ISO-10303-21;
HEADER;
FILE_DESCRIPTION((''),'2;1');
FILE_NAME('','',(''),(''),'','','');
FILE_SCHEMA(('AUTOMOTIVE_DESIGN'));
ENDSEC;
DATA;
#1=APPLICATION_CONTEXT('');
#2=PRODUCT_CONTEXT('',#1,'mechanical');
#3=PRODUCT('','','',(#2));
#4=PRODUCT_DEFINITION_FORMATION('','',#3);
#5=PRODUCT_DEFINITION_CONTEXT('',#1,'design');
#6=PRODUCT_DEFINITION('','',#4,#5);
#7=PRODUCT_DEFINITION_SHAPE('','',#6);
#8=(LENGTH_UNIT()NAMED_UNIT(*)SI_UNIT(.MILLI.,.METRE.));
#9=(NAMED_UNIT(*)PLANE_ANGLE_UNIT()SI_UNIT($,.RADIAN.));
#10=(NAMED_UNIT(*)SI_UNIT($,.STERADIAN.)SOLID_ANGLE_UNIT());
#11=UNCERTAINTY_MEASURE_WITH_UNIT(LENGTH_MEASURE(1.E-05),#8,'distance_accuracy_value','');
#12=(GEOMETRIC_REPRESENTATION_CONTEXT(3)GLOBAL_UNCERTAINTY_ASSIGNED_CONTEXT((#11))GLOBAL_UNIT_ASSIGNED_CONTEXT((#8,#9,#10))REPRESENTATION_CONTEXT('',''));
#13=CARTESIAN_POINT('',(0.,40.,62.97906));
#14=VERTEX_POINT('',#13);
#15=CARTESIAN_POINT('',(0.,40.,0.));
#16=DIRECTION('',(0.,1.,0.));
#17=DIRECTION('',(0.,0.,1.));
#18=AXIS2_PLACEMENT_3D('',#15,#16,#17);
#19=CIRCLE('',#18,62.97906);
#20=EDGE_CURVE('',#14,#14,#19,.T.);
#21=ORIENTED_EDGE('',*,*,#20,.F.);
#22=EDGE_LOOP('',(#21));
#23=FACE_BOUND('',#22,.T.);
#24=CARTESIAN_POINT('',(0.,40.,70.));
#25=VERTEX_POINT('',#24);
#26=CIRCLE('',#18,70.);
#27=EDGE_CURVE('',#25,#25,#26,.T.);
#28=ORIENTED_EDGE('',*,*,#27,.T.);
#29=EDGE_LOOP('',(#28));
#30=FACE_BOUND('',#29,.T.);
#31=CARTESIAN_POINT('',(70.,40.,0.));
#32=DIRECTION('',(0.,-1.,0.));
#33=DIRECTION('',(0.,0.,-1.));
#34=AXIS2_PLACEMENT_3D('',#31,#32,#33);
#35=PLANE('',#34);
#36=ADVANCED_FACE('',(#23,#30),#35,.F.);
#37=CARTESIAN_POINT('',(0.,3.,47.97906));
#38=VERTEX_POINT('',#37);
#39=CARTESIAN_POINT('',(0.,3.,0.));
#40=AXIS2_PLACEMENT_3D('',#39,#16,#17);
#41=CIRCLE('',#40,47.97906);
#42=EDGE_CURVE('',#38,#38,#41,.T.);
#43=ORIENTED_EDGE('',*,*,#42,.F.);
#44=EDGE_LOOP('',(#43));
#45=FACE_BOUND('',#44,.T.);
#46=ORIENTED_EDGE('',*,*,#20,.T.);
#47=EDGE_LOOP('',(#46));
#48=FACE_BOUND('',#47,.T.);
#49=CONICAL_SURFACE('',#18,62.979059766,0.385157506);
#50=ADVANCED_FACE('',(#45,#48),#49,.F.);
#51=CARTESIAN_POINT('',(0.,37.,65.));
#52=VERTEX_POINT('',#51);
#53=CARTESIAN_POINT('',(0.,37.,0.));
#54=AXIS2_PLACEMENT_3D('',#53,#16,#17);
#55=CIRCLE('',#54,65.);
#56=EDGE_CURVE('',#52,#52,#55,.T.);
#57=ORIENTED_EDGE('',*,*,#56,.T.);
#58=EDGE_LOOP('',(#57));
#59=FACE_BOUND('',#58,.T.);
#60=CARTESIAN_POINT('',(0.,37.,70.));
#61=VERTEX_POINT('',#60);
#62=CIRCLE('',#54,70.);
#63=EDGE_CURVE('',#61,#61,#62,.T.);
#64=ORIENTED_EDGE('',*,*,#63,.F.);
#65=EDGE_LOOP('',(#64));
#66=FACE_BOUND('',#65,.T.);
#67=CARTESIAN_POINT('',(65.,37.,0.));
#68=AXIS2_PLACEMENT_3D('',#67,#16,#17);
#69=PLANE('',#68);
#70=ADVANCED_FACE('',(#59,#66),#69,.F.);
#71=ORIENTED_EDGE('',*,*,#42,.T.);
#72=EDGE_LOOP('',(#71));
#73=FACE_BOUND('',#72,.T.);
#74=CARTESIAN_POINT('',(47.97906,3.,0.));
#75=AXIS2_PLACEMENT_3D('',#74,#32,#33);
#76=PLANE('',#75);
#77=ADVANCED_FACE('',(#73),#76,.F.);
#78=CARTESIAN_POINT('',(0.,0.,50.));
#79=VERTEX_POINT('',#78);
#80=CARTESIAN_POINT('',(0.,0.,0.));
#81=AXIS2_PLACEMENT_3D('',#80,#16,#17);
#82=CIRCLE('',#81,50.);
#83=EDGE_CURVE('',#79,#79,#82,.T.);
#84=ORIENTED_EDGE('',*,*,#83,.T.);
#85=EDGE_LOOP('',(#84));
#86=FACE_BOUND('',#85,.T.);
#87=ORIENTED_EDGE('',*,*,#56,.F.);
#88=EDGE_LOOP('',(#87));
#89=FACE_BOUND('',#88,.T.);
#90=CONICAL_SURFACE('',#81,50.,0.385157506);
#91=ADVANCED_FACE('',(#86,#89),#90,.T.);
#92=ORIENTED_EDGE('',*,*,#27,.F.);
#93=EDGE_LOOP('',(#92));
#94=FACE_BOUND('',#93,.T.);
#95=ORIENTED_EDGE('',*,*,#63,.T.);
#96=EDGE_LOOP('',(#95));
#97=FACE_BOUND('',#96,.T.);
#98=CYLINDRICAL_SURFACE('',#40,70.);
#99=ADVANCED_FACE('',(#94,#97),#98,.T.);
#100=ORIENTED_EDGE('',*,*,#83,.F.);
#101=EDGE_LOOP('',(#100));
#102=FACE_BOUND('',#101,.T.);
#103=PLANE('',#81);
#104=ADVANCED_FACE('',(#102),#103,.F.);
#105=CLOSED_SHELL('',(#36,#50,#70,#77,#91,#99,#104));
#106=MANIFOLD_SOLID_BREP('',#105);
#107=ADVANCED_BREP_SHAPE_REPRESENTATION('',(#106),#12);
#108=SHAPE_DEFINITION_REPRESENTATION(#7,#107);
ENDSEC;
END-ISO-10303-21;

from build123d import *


with BuildPart() as part:
    # Sketch1 → Revolve1 (revolve)
    with BuildSketch(Plane.XY, mode=Mode.PRIVATE) as revolve1_sk:
        Polygon((0, 0), (50, 0), (65, 37), (70, 37), (70, 40), (62.979059766, 40), (47.979059766, 3), (0, 3), align=None)
    revolve(revolve1_sk.sketch.rotate(Axis((0, 3, 0), (0, -1, 0)), 90), axis=Axis((0, 3, 0), (0, -1, 0)))


solid = part.part
